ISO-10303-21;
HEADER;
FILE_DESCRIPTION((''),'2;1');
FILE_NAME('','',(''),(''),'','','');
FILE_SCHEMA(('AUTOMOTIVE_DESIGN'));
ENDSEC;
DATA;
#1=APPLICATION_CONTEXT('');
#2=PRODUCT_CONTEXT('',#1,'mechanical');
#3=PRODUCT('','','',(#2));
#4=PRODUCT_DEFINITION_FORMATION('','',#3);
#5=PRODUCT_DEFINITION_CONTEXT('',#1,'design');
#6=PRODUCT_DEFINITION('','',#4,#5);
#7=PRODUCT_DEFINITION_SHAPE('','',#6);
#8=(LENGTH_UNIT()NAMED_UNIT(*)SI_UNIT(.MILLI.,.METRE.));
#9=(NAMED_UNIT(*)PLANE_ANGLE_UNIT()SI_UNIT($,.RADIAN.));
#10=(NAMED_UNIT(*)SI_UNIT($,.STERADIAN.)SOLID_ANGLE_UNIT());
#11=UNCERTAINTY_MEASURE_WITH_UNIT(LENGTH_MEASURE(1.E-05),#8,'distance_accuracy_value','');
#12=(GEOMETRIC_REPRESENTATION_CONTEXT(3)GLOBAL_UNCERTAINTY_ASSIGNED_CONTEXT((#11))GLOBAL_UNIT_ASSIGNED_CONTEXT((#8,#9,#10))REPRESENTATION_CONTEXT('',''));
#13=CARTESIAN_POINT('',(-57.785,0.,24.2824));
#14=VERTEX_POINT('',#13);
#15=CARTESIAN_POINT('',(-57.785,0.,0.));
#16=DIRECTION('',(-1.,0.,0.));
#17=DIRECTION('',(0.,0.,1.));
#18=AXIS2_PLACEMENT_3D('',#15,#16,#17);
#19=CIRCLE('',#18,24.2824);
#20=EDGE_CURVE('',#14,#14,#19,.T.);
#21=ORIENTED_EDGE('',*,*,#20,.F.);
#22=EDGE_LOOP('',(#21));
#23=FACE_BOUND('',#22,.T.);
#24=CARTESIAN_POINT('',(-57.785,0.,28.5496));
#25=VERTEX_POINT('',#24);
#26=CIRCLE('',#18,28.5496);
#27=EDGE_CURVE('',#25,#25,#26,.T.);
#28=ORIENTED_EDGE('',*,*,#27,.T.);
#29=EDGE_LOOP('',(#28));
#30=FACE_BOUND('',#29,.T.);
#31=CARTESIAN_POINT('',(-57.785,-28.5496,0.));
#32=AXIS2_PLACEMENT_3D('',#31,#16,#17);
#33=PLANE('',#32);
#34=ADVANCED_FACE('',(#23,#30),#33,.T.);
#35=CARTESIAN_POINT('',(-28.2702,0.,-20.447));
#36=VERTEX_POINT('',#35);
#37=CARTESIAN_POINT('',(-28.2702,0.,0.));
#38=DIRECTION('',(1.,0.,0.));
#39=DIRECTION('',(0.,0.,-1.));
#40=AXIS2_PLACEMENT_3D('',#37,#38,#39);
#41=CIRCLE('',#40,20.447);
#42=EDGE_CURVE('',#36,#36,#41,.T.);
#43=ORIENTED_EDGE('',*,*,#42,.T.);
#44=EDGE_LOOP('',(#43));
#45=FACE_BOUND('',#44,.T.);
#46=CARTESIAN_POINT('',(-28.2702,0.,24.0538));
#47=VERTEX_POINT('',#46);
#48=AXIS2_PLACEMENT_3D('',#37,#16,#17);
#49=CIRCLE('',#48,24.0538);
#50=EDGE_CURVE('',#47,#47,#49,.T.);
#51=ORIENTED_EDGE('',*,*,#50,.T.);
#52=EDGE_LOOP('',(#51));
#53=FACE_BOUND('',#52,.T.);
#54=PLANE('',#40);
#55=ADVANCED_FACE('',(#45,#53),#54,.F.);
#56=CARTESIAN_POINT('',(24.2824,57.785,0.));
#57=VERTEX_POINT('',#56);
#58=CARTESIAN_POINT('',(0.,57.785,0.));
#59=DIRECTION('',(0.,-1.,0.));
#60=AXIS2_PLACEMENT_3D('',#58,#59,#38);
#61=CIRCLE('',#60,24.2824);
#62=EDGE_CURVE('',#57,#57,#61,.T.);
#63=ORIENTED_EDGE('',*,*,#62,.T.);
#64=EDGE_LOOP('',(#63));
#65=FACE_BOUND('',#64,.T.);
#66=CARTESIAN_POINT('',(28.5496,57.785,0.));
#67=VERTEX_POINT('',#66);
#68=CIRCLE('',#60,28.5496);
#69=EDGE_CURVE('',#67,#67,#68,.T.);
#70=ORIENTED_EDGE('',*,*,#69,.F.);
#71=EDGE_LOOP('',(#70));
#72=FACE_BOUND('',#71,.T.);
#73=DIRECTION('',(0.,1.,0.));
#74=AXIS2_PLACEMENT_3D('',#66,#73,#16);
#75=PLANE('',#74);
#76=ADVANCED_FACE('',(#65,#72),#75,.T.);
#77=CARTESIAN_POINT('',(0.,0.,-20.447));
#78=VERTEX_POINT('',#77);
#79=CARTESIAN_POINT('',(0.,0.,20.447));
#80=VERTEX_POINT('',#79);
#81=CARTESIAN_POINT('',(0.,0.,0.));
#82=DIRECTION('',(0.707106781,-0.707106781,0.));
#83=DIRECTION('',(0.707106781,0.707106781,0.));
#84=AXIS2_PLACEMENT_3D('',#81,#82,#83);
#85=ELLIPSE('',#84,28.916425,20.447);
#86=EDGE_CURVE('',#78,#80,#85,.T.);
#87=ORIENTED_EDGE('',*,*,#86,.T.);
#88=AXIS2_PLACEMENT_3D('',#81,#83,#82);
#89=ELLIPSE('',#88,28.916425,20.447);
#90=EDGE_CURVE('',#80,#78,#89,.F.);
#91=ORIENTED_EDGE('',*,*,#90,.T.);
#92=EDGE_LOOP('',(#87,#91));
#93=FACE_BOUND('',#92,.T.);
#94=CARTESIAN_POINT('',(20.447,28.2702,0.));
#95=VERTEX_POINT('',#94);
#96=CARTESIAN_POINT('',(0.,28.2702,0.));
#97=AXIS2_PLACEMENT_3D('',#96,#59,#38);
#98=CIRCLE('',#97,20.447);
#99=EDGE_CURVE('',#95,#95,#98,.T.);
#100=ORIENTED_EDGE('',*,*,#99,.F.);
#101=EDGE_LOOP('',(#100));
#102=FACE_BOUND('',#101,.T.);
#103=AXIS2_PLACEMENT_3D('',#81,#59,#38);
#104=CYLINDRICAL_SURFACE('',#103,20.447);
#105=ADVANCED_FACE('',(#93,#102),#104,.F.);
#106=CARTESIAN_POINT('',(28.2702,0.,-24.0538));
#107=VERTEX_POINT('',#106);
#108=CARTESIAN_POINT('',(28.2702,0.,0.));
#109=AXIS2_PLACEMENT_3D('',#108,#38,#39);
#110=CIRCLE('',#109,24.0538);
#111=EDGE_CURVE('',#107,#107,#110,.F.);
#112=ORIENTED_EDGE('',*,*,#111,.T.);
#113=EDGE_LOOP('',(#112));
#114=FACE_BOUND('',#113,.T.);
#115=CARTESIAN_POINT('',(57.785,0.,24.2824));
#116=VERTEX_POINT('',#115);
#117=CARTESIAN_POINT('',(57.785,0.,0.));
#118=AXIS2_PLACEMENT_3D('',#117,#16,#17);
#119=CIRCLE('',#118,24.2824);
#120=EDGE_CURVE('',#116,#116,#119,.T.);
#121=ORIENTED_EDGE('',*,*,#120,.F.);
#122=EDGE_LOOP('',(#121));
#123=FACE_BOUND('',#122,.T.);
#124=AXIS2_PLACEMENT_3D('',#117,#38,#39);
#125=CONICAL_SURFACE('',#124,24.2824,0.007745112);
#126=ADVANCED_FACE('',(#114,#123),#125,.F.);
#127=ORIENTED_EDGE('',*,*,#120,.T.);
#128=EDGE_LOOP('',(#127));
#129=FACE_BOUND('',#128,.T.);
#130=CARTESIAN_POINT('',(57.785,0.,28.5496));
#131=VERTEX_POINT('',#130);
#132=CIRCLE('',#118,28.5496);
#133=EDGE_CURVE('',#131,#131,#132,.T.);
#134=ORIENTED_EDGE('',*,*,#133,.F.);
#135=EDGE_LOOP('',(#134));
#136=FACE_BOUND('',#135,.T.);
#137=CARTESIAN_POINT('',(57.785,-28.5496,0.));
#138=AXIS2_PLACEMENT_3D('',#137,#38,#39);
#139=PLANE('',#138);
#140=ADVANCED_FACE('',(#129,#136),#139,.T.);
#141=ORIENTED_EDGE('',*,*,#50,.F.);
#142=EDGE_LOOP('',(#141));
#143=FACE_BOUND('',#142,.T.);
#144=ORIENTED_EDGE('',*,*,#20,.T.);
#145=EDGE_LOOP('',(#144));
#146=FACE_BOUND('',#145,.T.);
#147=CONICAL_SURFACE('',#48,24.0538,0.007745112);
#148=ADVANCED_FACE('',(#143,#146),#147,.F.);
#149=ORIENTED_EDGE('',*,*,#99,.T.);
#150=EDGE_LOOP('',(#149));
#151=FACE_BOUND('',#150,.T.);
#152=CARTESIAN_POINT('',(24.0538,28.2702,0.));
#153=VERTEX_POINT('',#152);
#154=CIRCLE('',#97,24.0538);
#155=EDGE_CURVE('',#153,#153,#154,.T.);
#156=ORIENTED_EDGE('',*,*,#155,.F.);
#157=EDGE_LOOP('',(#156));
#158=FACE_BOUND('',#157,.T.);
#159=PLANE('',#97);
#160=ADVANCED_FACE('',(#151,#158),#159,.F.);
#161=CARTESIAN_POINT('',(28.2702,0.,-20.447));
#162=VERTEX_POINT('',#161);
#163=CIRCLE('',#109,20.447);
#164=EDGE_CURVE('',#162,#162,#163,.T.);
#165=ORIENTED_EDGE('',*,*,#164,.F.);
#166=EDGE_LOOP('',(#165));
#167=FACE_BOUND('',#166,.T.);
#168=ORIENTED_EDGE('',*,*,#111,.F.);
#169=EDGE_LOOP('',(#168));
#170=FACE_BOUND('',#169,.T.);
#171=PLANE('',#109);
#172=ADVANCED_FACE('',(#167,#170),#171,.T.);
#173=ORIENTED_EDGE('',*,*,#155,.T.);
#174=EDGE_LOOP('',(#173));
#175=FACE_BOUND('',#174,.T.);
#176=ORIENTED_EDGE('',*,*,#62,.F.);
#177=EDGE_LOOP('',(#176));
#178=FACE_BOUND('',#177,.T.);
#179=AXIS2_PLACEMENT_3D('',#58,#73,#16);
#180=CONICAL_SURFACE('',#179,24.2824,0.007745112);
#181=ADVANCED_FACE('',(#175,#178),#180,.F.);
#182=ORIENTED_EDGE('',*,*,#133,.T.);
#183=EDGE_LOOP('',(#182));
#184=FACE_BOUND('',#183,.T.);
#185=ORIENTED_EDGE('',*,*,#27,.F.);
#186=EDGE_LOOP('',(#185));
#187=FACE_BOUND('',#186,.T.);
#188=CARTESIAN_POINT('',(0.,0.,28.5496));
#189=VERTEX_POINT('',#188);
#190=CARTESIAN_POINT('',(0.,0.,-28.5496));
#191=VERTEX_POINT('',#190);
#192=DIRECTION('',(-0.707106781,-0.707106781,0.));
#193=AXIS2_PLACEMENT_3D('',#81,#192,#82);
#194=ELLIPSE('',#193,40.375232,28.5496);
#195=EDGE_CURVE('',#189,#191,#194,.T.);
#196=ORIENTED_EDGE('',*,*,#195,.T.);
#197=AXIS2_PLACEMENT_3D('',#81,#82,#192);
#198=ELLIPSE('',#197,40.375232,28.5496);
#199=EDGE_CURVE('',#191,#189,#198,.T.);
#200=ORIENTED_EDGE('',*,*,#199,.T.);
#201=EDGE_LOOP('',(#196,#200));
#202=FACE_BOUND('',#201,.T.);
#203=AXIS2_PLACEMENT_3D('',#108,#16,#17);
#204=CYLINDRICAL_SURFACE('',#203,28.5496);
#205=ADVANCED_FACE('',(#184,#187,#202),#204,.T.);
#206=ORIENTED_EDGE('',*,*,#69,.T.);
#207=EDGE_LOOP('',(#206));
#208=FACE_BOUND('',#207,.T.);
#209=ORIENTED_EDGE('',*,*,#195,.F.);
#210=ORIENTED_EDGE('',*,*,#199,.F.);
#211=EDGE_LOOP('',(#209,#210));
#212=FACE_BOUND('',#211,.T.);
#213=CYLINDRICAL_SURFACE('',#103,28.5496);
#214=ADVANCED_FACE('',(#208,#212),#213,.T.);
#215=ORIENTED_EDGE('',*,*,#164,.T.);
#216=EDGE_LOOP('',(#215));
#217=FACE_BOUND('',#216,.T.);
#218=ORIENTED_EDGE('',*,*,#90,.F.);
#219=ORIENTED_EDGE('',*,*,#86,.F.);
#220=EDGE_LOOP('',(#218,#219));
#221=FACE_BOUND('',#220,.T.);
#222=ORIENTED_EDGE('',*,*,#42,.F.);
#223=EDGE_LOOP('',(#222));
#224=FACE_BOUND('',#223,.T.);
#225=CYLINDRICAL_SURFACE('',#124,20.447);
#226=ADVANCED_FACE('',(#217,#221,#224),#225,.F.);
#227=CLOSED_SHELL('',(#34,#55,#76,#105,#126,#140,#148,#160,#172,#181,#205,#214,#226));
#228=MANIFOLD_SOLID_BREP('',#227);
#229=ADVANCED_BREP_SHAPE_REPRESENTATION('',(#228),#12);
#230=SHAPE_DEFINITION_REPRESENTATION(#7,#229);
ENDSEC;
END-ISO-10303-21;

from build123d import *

# Parameters (mm, degrees)
SKETCH3_R           = 28.5496
BOSS_EXTRUDE1_DEPTH = 56.5404
SKETCH4_R           = 28.5496
BOSS_EXTRUDE2_DEPTH = 28.2702


with BuildPart() as part:
    # Sketch1 → Revolve1 (revolve)
    with BuildSketch(Plane.XY):
        Polygon((-57.785, -28.5496), (-28.2702, -28.5496), (-28.2702, -24.0538), (-57.785, -24.2824), align=None)
        Polygon((57.785, -24.2824), (28.2702, -24.0538), (28.2702, -28.5496), (57.785, -28.5496), align=None)
    revolve(axis=Axis((-57.785, 0, 0), (1, 0, 0)))



with BuildPart() as body_2:
    # Sketch2 → Revolve2 (revolve)
    with BuildSketch(Plane.XY):
        Polygon((24.2824, 57.785), (24.0538, 28.2702), (28.5496, 28.2702), (28.5496, 57.785), align=None)
    revolve(axis=Axis((0, 0, 0), (0, 1, 0)))


with BuildPart() as part_1:
    add(part.part)

    add(body_2.part)  # Boss-Extrude1 merges body 2
    # Sketch3 → Boss-Extrude1 (add)
    with BuildSketch(Plane(origin=(-28.2702, 0, 0), x_dir=(0, 0, -1), z_dir=(1, 0, 0))):
        Circle(SKETCH3_R)
    extrude(amount=BOSS_EXTRUDE1_DEPTH)

    # Sketch4 → Boss-Extrude2 (add)
    with BuildSketch(Plane.XZ.offset(-28.2702)):
        Circle(SKETCH4_R)
    extrude(amount=BOSS_EXTRUDE2_DEPTH)

    # Sketch5 → Cut-Revolve1 (revolve, cut)
    with BuildSketch(Plane.XY):
        Polygon((-57.785, -24.2824), (-28.2702, -24.0538), (-28.2702, -20.447), (28.2702, -20.447), (28.2702, -24.0538), (57.785, -24.2824), (57.785, 0), (-57.785, 0), align=None)
    revolve(axis=Axis((57.785, 0, 0), (-1, 0, 0)), mode=Mode.SUBTRACT)

    # Sketch6 → Cut-Revolve2 (revolve, cut)
    with BuildSketch(Plane.XY):
        Polygon((24.2824, 57.785), (24.0538, 28.2702), (20.447, 28.2702), (20.447, 0), (0, 0), (0, 57.785), align=None)
    revolve(axis=Axis((0, 0, 0), (0, 1, 0)), mode=Mode.SUBTRACT)


solid = part_1.part
